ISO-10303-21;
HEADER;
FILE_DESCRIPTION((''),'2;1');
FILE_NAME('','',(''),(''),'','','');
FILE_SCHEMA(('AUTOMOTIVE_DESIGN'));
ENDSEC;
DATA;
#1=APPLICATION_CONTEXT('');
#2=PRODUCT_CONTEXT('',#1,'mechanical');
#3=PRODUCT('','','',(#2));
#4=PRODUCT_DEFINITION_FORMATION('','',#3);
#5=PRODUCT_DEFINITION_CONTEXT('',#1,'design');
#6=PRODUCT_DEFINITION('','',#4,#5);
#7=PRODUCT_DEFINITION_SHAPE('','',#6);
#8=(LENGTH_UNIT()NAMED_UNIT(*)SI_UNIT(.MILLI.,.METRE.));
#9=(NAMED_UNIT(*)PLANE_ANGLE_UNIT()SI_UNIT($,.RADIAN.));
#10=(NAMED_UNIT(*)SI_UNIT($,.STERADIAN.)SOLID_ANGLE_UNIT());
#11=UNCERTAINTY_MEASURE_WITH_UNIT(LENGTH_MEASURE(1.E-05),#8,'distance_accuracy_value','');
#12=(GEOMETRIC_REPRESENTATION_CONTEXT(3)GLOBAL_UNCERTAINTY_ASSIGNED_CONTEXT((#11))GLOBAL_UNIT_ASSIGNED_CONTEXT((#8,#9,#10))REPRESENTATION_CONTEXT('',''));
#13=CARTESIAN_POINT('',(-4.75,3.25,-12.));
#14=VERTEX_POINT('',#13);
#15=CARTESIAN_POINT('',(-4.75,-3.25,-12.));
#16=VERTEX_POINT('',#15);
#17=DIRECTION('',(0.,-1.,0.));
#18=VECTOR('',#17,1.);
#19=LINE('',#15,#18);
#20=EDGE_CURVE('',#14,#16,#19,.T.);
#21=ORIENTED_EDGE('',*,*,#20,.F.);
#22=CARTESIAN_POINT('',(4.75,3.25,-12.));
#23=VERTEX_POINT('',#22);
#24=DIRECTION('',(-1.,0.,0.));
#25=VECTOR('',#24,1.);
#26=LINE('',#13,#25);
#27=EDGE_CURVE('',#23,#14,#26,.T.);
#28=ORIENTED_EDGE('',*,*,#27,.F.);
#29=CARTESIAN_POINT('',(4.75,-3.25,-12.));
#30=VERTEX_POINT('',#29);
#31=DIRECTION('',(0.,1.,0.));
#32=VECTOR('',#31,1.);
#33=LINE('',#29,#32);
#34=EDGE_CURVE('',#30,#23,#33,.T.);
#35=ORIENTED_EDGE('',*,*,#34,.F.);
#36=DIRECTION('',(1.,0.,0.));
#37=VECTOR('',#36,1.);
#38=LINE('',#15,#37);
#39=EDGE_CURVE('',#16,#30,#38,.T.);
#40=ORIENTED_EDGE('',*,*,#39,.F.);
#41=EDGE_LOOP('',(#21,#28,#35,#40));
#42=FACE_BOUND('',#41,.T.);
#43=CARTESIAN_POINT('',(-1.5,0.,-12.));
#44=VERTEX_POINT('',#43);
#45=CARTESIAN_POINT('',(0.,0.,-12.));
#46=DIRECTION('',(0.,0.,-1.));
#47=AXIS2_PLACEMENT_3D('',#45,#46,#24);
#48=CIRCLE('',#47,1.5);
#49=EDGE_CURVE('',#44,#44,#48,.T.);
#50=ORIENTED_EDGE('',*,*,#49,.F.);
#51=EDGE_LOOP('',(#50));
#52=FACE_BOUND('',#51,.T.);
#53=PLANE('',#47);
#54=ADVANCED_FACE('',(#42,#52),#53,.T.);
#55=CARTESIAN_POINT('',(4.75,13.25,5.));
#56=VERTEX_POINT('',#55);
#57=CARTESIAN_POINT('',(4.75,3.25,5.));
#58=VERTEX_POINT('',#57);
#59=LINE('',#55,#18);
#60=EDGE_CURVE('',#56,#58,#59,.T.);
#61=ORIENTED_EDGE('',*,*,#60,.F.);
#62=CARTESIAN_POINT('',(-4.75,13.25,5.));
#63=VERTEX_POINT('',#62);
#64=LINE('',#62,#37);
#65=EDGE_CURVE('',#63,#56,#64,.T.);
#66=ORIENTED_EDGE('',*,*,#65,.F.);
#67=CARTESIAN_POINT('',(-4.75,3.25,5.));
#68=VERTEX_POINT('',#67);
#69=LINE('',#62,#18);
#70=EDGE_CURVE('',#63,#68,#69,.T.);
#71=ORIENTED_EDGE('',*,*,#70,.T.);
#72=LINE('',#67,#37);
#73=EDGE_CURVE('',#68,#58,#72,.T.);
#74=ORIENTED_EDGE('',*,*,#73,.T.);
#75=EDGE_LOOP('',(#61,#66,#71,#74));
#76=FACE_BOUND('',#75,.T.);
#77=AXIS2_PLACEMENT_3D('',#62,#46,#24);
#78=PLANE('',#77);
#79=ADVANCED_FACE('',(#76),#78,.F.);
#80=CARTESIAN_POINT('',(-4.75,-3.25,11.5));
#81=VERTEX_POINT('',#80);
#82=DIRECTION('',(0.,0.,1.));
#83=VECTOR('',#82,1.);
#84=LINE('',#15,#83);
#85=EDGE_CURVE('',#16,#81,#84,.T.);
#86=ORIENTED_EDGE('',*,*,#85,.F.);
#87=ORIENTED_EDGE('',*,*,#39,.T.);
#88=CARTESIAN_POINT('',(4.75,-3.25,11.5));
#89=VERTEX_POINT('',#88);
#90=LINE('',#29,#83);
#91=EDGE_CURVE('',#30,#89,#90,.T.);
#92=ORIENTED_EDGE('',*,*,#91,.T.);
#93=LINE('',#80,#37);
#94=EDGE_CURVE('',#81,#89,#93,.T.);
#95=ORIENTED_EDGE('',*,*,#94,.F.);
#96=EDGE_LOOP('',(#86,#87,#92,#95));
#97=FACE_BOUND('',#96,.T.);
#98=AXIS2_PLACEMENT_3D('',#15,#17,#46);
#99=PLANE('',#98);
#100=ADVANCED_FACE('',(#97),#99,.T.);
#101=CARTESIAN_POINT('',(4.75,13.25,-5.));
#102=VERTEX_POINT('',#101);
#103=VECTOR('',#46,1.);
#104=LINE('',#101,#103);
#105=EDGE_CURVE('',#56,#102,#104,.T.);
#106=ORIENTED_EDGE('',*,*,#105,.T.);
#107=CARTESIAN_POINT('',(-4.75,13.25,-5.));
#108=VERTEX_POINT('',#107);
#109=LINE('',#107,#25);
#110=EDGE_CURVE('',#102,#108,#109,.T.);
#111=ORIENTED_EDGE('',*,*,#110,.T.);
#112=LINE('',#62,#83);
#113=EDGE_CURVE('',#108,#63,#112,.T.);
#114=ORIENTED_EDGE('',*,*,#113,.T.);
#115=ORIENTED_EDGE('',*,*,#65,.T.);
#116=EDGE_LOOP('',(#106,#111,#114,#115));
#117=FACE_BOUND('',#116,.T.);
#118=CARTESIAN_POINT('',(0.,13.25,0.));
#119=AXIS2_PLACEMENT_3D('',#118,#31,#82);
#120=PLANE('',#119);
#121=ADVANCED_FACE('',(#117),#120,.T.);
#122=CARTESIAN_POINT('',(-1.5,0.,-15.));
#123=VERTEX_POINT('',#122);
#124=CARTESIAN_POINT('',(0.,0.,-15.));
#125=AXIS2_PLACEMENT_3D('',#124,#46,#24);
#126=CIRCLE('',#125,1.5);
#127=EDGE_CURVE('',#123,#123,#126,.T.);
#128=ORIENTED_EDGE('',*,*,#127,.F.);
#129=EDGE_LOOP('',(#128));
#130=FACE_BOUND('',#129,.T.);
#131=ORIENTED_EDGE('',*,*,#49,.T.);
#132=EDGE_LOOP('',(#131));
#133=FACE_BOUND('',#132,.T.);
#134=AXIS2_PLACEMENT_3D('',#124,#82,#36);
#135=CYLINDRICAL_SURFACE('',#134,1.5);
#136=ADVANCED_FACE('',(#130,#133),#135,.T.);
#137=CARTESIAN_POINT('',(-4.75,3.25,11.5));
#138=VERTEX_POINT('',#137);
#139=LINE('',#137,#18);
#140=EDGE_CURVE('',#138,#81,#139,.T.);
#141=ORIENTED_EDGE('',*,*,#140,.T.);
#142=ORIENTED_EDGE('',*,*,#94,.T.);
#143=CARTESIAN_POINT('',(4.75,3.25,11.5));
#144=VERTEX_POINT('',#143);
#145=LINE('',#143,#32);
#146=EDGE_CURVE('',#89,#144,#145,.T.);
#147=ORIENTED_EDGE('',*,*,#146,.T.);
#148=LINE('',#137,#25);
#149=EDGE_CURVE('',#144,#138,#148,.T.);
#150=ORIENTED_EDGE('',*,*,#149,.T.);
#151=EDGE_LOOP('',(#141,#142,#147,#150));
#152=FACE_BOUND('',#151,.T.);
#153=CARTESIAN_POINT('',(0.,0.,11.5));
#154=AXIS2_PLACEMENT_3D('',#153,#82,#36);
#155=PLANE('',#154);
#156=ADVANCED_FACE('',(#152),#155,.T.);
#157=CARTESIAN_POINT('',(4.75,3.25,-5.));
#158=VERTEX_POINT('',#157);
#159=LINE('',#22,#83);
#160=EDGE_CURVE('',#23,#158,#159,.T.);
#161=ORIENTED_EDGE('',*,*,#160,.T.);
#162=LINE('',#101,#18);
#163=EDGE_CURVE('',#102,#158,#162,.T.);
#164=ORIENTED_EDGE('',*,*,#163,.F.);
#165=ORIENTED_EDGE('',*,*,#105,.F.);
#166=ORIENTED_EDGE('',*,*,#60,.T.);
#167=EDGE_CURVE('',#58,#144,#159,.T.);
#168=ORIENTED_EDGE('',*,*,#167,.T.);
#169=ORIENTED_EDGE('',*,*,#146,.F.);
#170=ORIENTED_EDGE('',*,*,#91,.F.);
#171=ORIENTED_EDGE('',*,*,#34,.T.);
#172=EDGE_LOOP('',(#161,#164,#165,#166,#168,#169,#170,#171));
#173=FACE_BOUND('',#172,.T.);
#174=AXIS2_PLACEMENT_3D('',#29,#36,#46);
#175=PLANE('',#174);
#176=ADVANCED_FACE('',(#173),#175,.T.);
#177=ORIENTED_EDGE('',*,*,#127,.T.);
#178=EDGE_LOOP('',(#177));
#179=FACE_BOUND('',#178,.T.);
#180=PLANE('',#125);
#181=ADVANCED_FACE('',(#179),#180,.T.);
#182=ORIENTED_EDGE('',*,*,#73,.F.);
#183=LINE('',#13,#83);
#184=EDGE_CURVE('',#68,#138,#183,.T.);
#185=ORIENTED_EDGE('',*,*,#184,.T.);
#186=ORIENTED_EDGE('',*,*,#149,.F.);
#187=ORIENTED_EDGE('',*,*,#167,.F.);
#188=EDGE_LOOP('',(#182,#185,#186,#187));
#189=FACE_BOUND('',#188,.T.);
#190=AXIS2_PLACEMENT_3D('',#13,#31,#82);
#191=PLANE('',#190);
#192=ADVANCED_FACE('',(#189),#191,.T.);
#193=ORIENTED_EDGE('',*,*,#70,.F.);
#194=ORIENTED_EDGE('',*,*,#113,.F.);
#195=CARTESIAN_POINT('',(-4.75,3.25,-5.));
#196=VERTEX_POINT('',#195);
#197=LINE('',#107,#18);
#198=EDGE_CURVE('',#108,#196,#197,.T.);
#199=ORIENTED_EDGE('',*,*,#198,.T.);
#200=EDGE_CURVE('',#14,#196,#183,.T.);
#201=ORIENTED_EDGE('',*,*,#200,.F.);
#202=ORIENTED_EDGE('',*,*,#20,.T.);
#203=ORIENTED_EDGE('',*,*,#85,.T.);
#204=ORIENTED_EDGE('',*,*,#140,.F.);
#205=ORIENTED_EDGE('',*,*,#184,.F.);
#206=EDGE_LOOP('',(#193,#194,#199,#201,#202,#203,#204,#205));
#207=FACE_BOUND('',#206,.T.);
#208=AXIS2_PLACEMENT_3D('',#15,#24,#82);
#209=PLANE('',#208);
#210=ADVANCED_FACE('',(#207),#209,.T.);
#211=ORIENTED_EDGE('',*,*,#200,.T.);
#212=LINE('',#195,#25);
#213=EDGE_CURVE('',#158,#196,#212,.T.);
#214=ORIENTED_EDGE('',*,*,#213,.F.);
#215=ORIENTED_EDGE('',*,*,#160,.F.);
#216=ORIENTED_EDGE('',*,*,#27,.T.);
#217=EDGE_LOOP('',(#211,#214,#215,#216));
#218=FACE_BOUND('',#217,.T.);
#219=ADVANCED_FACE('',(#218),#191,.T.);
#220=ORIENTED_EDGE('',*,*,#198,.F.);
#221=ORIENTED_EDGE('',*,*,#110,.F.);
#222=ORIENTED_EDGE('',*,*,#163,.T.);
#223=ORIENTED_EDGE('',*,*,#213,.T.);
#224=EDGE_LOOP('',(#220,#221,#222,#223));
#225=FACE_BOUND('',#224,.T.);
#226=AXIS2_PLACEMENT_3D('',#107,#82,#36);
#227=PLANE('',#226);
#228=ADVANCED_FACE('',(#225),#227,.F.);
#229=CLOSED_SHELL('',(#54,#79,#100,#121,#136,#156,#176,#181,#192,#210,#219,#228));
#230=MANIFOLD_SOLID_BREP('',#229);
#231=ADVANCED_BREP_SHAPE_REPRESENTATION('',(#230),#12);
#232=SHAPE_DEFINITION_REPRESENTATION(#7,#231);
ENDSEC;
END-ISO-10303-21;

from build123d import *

# Parameters (mm, degrees)
BOSS_EXTRUDE1_DEPTH      = 11
BOSS_EXTRUDE1_DEPTH_BACK = 12
SKETCH1_W                = 9.5
SKETCH1_H                = 6.5
SKETCH2_W                = 9.5
SKETCH2_H                = 10
BOSS_EXTRUDE2_DEPTH      = 10
SKETCH3_R                = 1.5
BOSS_EXTRUDE3_DEPTH      = 3
SKETCH4_W                = 9.5
SKETCH4_H                = 6.5
BOSS_EXTRUDE4_DEPTH      = 0.5


with BuildPart() as part:
    # Sketch1 → Boss-Extrude1 (new, two sides: drawn at the far end of the back side and taken through both)
    with BuildSketch(Plane.XY.offset(-BOSS_EXTRUDE1_DEPTH_BACK)):
        Rectangle(SKETCH1_W, SKETCH1_H)
    extrude(amount=BOSS_EXTRUDE1_DEPTH + BOSS_EXTRUDE1_DEPTH_BACK)

    # Sketch2 → Boss-Extrude2 (add)
    with BuildSketch(Plane(origin=(0, 3.25, 0), x_dir=(1, 0, 0), z_dir=(0, 1, 0))):
        Rectangle(SKETCH2_W, SKETCH2_H)
    extrude(amount=BOSS_EXTRUDE2_DEPTH)

    # Sketch3 → Boss-Extrude3 (add)
    with BuildSketch(Plane(origin=(0, 0, -12), x_dir=(-1, 0, 0), z_dir=(0, 0, -1))):
        Circle(SKETCH3_R)
    extrude(amount=BOSS_EXTRUDE3_DEPTH)

    # Sketch4 → Boss-Extrude4 (add)
    with BuildSketch(Plane.XY.offset(11)):
        Rectangle(SKETCH4_W, SKETCH4_H)
    extrude(amount=BOSS_EXTRUDE4_DEPTH)


solid = part.part
